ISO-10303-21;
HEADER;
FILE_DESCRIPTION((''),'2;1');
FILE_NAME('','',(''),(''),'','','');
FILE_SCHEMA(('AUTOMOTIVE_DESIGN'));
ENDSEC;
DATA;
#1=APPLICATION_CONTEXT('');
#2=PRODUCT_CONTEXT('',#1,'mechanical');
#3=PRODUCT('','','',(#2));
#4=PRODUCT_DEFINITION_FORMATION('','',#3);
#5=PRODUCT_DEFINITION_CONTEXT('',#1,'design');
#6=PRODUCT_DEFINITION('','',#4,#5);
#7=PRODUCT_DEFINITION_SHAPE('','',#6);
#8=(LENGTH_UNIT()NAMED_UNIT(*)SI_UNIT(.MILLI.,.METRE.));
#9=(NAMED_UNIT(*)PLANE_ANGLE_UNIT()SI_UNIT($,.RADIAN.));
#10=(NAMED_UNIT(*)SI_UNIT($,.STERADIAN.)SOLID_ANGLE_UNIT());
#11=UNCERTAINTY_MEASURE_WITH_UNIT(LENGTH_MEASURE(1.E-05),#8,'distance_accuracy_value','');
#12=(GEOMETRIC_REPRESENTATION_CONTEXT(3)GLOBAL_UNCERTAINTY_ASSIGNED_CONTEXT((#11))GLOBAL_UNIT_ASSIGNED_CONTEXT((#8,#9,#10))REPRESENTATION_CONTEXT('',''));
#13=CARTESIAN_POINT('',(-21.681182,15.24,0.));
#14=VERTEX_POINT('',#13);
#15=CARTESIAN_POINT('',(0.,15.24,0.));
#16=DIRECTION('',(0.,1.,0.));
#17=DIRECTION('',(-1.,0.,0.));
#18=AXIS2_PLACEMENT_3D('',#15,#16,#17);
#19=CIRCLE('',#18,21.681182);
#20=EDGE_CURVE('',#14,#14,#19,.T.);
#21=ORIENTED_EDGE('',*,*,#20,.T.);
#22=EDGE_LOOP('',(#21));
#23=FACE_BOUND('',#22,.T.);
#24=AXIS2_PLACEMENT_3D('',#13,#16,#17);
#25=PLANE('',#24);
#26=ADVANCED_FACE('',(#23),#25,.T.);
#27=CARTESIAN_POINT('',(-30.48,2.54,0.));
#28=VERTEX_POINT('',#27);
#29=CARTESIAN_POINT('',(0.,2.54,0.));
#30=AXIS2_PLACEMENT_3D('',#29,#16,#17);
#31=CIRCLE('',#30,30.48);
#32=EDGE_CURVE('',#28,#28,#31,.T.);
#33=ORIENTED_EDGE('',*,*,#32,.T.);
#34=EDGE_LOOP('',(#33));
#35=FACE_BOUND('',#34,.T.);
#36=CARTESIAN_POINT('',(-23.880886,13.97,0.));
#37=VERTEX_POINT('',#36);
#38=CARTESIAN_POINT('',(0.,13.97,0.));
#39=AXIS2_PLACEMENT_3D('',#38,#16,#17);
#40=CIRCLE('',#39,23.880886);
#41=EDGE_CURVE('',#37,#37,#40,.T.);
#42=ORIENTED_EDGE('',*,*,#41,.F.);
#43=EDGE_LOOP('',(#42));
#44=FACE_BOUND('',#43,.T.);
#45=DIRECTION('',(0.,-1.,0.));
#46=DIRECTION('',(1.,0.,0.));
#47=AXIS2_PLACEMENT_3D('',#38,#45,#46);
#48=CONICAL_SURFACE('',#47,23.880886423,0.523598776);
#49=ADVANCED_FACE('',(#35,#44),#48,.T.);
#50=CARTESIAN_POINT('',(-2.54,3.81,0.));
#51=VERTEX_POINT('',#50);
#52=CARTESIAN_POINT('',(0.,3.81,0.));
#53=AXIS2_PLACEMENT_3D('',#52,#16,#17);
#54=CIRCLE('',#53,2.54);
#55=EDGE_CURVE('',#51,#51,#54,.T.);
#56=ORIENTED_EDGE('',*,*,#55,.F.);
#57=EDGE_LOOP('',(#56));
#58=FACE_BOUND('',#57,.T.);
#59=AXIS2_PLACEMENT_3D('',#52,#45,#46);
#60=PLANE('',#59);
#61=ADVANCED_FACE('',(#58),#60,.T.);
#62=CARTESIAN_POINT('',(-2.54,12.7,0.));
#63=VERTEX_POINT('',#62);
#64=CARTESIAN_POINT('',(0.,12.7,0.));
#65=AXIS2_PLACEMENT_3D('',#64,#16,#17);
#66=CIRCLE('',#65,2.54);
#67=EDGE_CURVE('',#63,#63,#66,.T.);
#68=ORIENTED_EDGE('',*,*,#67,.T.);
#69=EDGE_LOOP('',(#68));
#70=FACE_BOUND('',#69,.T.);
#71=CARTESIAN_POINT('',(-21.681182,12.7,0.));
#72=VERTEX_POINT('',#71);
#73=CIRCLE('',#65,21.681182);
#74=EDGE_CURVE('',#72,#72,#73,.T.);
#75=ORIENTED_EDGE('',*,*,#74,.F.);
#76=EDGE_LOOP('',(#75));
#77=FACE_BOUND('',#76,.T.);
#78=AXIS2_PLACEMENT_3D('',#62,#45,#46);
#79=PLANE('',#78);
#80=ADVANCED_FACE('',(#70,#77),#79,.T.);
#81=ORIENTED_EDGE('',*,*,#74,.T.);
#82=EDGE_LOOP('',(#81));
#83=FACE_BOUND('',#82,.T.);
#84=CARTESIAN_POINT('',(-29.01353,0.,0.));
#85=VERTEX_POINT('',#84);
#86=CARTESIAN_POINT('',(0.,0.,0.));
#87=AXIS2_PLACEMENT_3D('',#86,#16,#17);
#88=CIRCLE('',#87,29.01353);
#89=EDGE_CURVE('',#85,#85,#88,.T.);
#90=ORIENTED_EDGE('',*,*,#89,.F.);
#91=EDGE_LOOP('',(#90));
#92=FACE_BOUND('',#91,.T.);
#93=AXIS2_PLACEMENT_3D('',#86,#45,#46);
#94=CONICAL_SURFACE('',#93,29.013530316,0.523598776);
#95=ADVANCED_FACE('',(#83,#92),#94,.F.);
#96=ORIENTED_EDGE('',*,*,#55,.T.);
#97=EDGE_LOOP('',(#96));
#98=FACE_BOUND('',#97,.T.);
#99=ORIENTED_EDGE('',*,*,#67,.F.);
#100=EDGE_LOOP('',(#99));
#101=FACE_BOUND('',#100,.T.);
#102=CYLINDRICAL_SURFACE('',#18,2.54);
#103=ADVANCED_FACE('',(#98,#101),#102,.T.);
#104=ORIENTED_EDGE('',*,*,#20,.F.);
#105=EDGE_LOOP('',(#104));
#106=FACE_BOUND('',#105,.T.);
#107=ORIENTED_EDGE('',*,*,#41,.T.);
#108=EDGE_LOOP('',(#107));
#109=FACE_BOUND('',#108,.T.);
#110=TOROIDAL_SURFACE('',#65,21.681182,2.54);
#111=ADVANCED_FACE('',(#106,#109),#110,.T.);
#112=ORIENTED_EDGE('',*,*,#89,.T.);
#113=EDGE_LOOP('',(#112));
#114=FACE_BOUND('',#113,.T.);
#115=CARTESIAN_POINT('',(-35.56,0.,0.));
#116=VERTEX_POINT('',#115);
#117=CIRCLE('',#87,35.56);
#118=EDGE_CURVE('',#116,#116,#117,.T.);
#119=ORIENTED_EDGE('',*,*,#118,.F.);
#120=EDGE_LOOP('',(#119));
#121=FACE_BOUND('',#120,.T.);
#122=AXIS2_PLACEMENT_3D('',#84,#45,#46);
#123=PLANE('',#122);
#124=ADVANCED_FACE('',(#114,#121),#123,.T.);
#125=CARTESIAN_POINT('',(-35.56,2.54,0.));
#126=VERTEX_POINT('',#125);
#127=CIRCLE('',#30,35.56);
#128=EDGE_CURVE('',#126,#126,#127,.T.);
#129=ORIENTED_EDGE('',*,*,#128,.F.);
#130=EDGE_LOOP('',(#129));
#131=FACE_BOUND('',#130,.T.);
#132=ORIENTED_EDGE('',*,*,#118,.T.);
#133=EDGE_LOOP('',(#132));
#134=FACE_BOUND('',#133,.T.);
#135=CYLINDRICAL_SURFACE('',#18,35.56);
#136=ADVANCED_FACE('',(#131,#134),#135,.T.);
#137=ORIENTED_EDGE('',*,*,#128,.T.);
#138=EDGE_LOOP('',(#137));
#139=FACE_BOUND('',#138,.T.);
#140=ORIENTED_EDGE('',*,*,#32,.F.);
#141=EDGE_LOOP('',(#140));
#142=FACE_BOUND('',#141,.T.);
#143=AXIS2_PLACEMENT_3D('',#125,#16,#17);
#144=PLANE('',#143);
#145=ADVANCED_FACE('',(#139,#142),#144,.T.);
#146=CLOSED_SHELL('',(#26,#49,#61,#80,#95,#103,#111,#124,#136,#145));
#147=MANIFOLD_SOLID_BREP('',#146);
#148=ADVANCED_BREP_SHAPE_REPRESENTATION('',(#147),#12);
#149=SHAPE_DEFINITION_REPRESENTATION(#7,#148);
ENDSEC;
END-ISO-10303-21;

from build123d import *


with BuildPart() as part:
    # Sketch1 → Revolve1 (revolve)
    with BuildSketch(Plane.XY):
        with BuildLine():
            Line((-35.56, 0), (-35.56, 2.54))
            Line((-35.56, 2.54), (-30.48, 2.54))
            Line((-30.48, 2.54), (-23.880886423, 13.97))
            ThreePointArc((-23.880886423, 13.97), (-22.951181898, 14.899704526), (-21.681181898, 15.24))
            Line((-21.681181898, 15.24), (0, 15.24))
            Line((0, 15.24), (0, 3.81))
            Line((0, 3.81), (-2.54, 3.81))
            Line((-2.54, 3.81), (-2.54, 12.7))
            Line((-2.54, 12.7), (-21.681181898, 12.7))
            Line((-21.681181898, 12.7), (-29.013530316, 0))
            Line((-29.013530316, 0), (-35.56, 0))
        make_face()
    revolve(axis=Axis((0, 15.24, 0), (0, -1, 0)))


solid = part.part
